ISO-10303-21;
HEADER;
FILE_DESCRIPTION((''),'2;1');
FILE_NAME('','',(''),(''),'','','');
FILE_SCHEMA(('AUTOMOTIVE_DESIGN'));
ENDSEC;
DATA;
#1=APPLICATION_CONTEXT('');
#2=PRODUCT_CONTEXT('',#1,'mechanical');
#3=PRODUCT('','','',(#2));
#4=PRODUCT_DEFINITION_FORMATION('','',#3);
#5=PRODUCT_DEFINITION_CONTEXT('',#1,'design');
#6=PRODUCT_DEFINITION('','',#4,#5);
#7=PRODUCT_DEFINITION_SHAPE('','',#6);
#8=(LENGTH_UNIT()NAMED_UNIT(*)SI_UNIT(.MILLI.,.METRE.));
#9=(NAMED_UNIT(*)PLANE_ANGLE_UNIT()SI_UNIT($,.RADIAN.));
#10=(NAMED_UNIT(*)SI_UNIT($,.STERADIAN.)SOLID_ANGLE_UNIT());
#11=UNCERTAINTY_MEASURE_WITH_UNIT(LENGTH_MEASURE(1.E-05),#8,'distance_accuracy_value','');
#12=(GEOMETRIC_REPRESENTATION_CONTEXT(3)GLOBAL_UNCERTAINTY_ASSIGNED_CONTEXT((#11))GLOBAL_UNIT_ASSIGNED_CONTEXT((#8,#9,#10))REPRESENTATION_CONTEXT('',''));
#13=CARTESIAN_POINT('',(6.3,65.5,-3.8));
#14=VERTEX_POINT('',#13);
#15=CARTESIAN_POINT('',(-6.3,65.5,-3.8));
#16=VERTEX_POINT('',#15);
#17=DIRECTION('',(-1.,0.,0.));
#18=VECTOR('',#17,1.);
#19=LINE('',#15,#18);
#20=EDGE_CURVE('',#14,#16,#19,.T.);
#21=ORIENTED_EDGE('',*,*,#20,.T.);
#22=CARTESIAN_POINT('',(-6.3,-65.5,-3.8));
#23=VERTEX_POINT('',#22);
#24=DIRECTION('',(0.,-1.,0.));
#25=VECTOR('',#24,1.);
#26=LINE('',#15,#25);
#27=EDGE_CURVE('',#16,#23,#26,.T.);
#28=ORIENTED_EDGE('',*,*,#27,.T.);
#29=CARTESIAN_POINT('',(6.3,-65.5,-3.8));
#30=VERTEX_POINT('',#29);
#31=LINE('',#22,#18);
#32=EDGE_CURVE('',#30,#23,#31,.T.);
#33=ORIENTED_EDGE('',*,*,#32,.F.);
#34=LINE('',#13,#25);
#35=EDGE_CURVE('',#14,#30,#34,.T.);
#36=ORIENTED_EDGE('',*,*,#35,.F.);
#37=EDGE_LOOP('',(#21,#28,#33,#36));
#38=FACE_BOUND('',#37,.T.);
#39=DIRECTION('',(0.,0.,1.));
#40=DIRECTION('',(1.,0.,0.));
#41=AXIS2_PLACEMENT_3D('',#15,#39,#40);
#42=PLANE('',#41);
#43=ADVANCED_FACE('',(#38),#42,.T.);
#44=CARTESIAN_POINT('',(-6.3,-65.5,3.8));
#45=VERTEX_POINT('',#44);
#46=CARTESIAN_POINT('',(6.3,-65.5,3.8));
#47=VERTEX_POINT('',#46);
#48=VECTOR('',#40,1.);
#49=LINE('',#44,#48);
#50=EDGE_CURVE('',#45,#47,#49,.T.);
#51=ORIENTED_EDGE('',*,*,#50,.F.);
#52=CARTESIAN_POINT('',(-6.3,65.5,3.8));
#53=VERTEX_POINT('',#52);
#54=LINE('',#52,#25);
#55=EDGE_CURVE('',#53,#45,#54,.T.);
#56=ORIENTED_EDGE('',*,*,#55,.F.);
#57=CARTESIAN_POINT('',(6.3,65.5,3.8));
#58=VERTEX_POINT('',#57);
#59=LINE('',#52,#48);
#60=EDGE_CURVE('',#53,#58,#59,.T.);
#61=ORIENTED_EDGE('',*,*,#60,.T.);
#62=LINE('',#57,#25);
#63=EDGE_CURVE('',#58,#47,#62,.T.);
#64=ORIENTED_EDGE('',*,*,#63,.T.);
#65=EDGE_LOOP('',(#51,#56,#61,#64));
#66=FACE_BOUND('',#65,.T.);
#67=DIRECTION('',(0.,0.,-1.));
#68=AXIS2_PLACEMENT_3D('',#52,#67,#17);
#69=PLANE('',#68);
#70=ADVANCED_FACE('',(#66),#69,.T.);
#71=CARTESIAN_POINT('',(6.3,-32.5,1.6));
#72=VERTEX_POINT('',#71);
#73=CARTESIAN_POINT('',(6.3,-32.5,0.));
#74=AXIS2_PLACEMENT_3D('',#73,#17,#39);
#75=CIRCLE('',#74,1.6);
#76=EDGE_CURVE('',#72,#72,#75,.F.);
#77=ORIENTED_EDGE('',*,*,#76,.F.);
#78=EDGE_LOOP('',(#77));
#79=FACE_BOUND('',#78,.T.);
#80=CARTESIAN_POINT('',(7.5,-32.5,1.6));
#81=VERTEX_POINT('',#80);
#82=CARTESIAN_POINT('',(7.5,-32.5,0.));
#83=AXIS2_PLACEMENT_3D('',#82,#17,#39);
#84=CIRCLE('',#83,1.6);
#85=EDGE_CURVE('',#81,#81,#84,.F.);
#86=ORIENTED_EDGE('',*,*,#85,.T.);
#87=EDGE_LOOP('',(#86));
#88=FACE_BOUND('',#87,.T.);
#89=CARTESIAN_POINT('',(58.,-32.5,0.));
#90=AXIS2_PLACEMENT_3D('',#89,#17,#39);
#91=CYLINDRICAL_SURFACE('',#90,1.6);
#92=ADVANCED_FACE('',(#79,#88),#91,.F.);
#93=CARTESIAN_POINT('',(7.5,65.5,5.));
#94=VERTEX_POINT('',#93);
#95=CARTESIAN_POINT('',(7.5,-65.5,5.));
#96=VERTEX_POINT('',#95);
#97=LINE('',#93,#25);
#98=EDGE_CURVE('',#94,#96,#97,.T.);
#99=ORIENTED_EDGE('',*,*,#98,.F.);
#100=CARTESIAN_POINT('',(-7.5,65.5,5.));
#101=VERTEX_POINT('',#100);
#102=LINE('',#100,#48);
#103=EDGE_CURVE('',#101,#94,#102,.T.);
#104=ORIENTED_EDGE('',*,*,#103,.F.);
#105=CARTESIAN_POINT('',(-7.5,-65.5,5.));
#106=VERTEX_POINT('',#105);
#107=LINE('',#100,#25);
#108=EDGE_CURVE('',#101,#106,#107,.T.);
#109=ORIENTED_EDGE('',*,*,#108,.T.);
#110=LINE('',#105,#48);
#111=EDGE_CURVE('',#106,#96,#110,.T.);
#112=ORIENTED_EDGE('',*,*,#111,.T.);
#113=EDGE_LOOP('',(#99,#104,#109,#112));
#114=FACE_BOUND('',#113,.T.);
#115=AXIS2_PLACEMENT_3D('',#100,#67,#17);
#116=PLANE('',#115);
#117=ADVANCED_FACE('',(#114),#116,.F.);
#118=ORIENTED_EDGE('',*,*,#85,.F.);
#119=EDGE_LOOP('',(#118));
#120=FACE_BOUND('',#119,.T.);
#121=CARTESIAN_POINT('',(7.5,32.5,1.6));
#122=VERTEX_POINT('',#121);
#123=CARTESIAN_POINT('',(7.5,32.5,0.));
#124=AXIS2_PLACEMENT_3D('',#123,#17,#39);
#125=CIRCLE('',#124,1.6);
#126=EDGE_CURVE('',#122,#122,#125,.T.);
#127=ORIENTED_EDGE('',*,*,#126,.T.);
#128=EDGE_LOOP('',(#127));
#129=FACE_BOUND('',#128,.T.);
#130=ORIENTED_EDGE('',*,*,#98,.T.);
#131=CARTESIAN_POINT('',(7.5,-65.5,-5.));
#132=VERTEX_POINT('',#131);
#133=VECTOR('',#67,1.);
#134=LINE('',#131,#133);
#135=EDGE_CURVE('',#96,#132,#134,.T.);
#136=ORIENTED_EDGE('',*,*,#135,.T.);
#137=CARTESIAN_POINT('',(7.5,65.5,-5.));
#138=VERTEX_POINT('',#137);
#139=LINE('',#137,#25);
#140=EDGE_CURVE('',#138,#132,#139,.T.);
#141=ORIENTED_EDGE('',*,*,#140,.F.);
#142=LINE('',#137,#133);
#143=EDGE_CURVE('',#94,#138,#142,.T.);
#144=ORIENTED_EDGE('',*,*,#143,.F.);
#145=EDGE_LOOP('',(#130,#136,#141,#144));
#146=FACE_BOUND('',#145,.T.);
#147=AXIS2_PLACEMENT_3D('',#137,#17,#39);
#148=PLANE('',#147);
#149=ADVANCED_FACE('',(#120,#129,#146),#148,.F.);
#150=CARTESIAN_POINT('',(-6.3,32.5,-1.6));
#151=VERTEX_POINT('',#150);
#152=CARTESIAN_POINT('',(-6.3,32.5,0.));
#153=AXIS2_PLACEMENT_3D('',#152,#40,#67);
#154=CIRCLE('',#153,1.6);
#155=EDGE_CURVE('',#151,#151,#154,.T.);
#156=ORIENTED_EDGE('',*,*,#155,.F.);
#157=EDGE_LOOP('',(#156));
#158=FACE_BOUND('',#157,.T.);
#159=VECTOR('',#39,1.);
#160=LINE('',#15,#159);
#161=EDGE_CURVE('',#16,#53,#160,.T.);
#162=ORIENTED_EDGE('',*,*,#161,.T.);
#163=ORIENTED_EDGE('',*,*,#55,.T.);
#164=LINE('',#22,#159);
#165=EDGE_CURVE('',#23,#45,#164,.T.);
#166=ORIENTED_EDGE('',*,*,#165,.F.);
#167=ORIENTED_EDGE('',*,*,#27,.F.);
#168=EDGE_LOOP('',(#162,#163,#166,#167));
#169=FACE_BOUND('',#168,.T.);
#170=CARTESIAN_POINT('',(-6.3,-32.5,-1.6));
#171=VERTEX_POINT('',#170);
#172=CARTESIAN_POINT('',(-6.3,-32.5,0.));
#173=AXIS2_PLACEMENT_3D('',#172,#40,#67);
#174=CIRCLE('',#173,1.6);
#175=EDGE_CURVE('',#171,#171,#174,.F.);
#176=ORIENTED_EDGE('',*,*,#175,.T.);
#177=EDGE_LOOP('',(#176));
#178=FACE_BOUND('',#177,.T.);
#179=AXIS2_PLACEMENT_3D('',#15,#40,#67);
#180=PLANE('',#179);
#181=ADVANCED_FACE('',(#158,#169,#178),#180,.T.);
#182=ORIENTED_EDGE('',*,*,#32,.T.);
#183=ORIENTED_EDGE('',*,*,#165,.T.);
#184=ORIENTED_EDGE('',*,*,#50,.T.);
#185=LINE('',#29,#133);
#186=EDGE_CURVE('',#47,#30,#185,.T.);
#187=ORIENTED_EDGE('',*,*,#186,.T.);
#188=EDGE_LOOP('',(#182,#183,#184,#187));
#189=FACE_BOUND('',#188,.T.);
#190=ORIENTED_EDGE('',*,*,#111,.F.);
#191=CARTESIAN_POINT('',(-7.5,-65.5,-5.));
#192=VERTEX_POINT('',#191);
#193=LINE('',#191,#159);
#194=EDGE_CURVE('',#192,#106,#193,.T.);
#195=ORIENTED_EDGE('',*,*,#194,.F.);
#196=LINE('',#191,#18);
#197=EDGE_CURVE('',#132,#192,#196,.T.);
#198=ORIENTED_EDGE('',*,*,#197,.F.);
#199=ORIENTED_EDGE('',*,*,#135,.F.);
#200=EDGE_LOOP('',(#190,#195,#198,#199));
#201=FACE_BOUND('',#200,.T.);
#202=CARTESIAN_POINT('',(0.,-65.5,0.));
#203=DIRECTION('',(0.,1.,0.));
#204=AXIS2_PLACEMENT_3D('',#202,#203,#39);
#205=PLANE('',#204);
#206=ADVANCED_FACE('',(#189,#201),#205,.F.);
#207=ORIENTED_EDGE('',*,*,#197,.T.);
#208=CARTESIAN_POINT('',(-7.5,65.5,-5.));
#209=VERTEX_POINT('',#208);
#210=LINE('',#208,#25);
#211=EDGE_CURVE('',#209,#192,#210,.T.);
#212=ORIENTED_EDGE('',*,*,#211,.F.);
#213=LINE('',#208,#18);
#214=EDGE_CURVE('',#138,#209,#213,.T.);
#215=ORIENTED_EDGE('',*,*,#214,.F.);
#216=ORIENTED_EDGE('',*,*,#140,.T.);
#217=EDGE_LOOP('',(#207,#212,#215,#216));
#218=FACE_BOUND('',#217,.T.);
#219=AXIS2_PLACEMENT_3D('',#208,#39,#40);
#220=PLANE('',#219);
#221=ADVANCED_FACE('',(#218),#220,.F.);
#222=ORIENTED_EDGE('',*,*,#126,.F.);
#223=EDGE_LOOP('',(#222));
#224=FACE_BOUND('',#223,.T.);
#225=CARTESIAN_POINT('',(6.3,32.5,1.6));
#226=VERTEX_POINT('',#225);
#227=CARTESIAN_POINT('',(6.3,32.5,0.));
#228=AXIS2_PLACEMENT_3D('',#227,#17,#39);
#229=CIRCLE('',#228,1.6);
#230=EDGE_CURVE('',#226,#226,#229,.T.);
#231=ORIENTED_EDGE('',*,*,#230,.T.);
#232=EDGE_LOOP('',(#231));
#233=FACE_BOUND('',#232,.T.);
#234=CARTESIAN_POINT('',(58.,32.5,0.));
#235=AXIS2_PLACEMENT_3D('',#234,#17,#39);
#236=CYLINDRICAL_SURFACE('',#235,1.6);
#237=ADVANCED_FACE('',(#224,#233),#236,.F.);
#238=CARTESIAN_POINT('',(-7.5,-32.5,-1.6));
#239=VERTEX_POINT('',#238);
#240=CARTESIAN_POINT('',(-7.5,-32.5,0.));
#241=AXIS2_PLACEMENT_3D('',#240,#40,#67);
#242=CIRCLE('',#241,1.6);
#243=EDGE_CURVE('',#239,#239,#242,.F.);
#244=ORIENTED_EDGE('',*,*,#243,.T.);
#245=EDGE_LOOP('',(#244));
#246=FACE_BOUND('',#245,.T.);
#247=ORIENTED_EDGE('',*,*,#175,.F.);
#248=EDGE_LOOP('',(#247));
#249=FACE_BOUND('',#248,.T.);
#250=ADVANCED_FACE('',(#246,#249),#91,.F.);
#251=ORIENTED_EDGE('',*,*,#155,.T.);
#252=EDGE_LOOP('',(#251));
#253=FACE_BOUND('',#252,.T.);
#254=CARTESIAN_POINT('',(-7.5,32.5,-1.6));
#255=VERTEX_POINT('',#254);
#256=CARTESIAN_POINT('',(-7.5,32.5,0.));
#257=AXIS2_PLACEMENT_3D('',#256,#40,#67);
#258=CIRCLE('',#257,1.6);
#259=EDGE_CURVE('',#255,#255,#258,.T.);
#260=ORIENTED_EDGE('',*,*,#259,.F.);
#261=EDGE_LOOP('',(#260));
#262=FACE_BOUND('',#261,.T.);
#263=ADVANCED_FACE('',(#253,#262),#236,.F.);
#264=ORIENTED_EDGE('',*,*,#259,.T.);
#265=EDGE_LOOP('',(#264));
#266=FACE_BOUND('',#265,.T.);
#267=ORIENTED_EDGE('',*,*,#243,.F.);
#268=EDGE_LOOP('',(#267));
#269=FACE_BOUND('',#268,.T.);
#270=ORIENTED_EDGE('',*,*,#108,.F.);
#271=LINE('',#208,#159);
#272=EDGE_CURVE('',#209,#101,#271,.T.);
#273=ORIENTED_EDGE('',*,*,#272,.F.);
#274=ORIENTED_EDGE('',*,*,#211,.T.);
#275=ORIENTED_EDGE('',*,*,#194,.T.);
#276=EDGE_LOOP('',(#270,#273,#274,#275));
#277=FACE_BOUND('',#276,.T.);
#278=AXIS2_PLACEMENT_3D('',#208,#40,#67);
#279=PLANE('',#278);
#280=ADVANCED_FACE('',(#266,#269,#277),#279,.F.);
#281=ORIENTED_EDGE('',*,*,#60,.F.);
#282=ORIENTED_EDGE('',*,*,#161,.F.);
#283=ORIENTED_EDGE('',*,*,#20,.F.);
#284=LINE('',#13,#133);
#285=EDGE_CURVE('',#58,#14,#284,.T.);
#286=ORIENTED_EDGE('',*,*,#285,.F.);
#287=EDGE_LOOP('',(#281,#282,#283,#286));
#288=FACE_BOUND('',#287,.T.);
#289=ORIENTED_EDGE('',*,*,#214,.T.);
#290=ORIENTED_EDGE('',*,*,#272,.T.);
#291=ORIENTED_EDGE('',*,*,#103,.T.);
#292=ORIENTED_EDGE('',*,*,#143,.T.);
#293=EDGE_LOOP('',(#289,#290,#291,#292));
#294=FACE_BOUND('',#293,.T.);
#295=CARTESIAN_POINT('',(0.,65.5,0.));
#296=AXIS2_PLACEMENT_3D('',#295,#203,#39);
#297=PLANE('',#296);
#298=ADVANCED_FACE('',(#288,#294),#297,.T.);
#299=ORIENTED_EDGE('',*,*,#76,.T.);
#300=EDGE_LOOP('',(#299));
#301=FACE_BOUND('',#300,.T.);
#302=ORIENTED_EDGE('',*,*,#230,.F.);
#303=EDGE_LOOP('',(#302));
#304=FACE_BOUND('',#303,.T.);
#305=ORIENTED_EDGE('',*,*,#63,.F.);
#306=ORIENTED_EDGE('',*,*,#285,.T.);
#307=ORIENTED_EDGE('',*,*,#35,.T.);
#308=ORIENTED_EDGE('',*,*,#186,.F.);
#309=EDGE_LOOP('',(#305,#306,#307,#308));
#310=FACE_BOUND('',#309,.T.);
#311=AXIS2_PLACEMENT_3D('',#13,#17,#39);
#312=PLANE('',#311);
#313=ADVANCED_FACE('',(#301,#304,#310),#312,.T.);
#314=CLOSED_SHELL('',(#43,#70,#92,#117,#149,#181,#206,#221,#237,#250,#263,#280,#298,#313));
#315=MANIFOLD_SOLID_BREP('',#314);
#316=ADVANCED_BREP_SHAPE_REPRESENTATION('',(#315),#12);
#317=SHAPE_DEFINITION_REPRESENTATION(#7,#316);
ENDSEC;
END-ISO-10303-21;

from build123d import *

# Parameters (mm, degrees)
SKETCH_1_W          = 15
SKETCH_1_H          = 10
SKETCH_1_W_2        = 12.6
SKETCH_1_H_2        = 7.6
EXTRUDE_1_DEPTH     = 65.5
SKETCH_2_R          = 1.6
CUT_EXTRUDE_1_DEPTH = 65.5


with BuildPart() as part:
    # ｽｹｯﾁ1 → ﾎﾞｽ - 押し出し1 (new, symmetric)
    with BuildSketch(Plane(origin=(0, 0, 0), x_dir=(1, 0, 0), z_dir=(0, 1, 0))):
        Rectangle(SKETCH_1_W, SKETCH_1_H)
        Rectangle(SKETCH_1_W_2, SKETCH_1_H_2, mode=Mode.SUBTRACT)
    extrude(amount=EXTRUDE_1_DEPTH, both=True)

    # ｽｹｯﾁ2 → ｶｯﾄ - 押し出し1 (cut, symmetric)
    with BuildSketch(Plane.ZY.offset(7.5)):
        with Locations((0, 32.5)):
            Circle(SKETCH_2_R)
    cut_extrude_1 = extrude(amount=CUT_EXTRUDE_1_DEPTH, both=True, mode=Mode.SUBTRACT)

    # ﾐﾗｰ1: ｶｯﾄ - 押し出し1 across plane
    add(cut_extrude_1.mirror(Plane.ZX), mode=Mode.SUBTRACT)


solid = part.part
